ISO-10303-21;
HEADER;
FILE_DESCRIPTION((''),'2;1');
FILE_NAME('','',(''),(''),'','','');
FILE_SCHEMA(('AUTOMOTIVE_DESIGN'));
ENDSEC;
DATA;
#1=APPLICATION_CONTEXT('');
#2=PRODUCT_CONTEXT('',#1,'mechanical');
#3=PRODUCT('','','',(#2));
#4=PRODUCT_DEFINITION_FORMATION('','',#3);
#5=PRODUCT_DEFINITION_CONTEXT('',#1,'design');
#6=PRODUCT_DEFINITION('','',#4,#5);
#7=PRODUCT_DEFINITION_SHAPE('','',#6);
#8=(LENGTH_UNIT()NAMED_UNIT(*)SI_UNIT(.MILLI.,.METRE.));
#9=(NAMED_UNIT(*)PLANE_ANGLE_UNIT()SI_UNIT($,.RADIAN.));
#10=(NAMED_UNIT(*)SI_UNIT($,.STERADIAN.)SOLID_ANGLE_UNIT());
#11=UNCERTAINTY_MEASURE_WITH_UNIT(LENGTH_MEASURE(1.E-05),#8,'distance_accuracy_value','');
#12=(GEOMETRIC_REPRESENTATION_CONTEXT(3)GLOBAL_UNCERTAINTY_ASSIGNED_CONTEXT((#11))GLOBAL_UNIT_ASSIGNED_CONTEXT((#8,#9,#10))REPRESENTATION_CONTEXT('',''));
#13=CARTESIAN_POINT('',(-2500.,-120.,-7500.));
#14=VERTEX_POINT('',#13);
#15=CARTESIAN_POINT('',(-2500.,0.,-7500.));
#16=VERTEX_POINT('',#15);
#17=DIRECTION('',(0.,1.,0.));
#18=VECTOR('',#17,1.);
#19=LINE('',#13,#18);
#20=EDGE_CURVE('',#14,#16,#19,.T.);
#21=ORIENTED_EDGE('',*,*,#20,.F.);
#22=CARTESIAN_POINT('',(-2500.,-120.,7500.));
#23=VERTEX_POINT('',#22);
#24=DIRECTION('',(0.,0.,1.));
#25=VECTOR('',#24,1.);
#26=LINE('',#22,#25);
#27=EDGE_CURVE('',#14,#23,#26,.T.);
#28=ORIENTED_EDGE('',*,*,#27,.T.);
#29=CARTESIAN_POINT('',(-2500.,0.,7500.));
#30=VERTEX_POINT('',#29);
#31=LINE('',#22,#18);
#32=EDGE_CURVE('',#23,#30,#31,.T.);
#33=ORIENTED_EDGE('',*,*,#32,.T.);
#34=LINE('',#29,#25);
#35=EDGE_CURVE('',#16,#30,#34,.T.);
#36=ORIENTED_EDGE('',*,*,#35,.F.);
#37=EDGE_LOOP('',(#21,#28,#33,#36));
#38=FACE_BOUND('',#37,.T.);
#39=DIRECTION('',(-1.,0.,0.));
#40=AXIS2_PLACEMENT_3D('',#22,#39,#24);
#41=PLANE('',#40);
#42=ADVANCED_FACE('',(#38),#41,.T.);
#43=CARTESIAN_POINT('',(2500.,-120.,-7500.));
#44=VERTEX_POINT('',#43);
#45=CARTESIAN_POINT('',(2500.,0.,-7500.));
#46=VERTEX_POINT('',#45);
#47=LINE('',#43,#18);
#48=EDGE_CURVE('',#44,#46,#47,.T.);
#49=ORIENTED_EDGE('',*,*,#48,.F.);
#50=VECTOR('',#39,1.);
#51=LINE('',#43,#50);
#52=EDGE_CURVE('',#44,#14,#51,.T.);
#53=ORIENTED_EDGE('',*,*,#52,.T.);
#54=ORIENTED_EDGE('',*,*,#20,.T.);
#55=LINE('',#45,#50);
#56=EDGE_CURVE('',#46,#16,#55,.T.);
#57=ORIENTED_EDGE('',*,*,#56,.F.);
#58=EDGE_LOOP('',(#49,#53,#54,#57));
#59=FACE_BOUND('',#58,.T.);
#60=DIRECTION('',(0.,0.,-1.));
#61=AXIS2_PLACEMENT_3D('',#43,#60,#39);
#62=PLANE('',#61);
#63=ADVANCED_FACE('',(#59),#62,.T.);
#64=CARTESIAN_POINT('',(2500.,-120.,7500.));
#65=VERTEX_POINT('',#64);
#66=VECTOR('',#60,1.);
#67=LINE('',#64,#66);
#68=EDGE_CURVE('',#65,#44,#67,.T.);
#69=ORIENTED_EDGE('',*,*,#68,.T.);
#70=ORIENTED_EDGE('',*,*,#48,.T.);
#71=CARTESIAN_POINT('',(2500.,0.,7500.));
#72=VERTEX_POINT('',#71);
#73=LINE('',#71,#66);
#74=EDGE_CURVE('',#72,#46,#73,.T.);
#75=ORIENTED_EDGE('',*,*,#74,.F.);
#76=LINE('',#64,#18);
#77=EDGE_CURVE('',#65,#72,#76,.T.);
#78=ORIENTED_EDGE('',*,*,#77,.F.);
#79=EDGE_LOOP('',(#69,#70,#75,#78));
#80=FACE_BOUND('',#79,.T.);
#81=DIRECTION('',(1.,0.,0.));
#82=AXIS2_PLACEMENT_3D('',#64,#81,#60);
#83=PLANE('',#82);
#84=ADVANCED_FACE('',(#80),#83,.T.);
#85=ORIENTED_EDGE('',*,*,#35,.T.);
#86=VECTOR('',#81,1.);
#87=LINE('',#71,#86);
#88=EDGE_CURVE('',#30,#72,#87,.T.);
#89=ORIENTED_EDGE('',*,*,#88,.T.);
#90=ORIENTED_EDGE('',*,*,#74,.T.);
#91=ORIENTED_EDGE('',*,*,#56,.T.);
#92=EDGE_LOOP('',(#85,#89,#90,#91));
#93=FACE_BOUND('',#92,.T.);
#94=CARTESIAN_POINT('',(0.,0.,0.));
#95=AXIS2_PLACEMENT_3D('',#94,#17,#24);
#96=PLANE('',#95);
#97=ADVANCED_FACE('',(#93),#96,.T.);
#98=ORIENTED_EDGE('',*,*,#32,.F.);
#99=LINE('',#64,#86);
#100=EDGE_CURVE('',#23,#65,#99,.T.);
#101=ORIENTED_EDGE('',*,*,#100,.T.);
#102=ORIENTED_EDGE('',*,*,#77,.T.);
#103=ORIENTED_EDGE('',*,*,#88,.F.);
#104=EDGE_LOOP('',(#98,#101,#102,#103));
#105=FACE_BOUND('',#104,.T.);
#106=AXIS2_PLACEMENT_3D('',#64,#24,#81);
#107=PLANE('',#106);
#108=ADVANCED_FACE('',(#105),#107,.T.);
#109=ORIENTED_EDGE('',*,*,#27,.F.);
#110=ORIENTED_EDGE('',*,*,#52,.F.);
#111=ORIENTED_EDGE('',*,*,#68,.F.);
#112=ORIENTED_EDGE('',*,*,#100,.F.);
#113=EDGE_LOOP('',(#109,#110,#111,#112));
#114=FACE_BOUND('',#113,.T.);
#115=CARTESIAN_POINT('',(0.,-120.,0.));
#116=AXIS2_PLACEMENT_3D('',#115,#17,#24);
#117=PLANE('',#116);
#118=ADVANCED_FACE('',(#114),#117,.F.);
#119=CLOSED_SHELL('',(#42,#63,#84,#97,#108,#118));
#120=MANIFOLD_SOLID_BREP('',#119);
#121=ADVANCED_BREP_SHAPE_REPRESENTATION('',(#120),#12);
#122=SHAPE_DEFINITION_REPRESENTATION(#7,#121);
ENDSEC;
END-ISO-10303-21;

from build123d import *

# Parameters (mm, degrees)
SKETCH_1_W      = 5000
SKETCH_1_H      = 15000
EXTRUDE_1_DEPTH = 120


with BuildPart() as part:
    # 草图1 → 凸台-拉伸1 (new body)
    with BuildSketch(Plane(origin=(0, 0, 0), x_dir=(1, 0, 0), z_dir=(0, 1, 0))):
        Rectangle(SKETCH_1_W, SKETCH_1_H)
    extrude(amount=-EXTRUDE_1_DEPTH)


solid = part.part
